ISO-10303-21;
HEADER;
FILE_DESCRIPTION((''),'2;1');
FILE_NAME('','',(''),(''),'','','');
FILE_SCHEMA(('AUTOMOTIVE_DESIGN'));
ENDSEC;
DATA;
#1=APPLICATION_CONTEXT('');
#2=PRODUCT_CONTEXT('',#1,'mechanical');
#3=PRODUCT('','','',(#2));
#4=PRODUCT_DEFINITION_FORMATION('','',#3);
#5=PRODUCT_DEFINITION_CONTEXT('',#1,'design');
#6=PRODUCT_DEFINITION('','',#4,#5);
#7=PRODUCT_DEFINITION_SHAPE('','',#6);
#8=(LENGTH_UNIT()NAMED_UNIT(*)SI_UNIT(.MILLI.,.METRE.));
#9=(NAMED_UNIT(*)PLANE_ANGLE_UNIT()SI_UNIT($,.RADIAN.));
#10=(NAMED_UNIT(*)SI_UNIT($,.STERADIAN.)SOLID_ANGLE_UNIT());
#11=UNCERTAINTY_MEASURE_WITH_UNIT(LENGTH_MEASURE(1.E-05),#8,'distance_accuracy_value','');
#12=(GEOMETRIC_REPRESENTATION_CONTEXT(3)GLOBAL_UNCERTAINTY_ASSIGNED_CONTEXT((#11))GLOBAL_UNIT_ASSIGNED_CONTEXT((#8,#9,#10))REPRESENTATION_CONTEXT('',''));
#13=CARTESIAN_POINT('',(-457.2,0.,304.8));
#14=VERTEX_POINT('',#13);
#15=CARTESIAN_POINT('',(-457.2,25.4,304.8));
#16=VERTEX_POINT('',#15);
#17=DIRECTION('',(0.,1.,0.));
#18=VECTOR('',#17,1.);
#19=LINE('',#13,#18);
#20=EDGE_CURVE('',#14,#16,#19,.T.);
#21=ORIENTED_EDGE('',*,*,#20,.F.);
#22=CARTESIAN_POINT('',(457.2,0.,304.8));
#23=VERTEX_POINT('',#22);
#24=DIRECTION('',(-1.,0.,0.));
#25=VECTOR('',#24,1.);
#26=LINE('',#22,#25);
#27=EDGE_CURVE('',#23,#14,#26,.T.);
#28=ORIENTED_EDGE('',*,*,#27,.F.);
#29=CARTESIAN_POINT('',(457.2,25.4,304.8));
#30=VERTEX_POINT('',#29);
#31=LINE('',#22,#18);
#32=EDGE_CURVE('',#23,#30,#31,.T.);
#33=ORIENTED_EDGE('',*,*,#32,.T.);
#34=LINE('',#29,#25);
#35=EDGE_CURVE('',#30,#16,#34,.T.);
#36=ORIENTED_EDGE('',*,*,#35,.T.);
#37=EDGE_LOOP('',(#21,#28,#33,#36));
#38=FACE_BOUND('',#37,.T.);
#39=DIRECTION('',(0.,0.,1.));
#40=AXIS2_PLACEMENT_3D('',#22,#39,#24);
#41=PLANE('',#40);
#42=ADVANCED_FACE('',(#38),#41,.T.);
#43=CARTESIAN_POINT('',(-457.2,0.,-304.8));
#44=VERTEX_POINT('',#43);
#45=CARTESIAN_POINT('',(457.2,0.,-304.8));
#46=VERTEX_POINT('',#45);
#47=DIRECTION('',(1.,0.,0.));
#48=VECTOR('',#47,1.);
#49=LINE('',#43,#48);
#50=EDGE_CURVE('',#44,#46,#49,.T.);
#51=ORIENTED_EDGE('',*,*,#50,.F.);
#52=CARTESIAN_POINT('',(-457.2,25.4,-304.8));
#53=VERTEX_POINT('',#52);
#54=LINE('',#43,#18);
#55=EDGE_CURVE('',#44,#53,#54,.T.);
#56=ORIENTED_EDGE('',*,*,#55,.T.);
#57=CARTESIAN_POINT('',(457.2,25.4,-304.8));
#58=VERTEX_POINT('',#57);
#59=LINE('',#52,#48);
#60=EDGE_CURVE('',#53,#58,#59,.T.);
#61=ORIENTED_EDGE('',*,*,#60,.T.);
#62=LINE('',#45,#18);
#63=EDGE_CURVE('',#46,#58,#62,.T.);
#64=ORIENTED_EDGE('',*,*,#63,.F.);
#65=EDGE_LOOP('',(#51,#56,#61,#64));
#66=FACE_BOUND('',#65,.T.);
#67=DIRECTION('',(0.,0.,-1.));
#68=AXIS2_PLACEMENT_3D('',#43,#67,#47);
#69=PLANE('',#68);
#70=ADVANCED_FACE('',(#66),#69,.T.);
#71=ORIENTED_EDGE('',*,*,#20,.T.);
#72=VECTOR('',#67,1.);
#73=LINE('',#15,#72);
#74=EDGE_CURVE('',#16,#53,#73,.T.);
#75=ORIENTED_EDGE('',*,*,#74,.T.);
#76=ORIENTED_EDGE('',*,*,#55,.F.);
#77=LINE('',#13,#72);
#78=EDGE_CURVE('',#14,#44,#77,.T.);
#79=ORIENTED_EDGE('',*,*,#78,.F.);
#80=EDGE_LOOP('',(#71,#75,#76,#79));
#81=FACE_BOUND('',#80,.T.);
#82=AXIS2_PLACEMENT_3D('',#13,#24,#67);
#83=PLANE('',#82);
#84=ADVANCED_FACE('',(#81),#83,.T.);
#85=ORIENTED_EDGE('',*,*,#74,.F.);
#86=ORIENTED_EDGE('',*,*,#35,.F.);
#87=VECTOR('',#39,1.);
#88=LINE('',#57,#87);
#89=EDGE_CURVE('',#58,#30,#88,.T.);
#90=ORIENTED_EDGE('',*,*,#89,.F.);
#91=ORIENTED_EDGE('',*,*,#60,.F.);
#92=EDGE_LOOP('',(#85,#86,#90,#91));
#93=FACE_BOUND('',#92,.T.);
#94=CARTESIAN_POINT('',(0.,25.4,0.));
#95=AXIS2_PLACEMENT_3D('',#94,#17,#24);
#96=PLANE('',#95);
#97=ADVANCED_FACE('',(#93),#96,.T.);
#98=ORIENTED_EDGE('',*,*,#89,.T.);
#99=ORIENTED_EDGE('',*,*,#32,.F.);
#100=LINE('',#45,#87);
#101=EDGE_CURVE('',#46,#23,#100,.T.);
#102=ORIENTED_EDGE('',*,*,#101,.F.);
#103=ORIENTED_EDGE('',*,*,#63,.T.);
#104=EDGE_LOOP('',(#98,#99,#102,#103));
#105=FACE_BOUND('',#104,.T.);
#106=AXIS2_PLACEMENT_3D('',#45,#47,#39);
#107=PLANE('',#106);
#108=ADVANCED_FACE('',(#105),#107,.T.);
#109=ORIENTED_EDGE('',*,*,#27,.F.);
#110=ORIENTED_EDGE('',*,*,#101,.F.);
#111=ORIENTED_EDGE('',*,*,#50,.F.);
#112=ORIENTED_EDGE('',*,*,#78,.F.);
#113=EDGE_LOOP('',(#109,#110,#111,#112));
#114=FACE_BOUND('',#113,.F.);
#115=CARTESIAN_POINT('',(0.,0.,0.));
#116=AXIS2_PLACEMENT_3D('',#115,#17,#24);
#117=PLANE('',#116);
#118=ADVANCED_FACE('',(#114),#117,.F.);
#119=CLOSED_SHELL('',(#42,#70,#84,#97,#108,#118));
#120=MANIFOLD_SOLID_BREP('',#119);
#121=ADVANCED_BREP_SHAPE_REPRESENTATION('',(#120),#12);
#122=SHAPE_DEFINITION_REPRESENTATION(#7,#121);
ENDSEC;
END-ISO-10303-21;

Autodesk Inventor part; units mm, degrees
ref_plane "YZ Plane" through (0, 0, 0) normal (1, 0, 0) x (0, 1, 0)
ref_plane "XZ Plane" through (0, 0, 0) normal (0, 1, 0) x (-1, 0, 0)
ref_plane "XY Plane" through (0, 0, 0) normal (0, 0, 1) x (1, 0, 0)
sketch "Sketch3" plane through (0, 0, 0) normal (0, 1, 0) x (-1, 0, 0)
  line L0 (457.2, -304.8) -> (-457.2, -304.8)
  line L1 (-457.2, -304.8) -> (-457.2, 304.8)
  line L2 (-457.2, 304.8) -> (457.2, 304.8)
  line L3 (457.2, 304.8) -> (457.2, -304.8)
  line L4 (457.2, -304.8) -> (-457.2, 304.8) construction
  line L5 (-457.2, -304.8) -> (457.2, 304.8) construction
  point P0 (0, 0)
  dimension "d4" = 914.4
  dimension "d5" = 609.6
extrude "Extrusion2" add sketch "Sketch3" along normal blind 25.4
properties part number "1xRNDxRND-1074sqft" material "Granite, Cut, Polished"
